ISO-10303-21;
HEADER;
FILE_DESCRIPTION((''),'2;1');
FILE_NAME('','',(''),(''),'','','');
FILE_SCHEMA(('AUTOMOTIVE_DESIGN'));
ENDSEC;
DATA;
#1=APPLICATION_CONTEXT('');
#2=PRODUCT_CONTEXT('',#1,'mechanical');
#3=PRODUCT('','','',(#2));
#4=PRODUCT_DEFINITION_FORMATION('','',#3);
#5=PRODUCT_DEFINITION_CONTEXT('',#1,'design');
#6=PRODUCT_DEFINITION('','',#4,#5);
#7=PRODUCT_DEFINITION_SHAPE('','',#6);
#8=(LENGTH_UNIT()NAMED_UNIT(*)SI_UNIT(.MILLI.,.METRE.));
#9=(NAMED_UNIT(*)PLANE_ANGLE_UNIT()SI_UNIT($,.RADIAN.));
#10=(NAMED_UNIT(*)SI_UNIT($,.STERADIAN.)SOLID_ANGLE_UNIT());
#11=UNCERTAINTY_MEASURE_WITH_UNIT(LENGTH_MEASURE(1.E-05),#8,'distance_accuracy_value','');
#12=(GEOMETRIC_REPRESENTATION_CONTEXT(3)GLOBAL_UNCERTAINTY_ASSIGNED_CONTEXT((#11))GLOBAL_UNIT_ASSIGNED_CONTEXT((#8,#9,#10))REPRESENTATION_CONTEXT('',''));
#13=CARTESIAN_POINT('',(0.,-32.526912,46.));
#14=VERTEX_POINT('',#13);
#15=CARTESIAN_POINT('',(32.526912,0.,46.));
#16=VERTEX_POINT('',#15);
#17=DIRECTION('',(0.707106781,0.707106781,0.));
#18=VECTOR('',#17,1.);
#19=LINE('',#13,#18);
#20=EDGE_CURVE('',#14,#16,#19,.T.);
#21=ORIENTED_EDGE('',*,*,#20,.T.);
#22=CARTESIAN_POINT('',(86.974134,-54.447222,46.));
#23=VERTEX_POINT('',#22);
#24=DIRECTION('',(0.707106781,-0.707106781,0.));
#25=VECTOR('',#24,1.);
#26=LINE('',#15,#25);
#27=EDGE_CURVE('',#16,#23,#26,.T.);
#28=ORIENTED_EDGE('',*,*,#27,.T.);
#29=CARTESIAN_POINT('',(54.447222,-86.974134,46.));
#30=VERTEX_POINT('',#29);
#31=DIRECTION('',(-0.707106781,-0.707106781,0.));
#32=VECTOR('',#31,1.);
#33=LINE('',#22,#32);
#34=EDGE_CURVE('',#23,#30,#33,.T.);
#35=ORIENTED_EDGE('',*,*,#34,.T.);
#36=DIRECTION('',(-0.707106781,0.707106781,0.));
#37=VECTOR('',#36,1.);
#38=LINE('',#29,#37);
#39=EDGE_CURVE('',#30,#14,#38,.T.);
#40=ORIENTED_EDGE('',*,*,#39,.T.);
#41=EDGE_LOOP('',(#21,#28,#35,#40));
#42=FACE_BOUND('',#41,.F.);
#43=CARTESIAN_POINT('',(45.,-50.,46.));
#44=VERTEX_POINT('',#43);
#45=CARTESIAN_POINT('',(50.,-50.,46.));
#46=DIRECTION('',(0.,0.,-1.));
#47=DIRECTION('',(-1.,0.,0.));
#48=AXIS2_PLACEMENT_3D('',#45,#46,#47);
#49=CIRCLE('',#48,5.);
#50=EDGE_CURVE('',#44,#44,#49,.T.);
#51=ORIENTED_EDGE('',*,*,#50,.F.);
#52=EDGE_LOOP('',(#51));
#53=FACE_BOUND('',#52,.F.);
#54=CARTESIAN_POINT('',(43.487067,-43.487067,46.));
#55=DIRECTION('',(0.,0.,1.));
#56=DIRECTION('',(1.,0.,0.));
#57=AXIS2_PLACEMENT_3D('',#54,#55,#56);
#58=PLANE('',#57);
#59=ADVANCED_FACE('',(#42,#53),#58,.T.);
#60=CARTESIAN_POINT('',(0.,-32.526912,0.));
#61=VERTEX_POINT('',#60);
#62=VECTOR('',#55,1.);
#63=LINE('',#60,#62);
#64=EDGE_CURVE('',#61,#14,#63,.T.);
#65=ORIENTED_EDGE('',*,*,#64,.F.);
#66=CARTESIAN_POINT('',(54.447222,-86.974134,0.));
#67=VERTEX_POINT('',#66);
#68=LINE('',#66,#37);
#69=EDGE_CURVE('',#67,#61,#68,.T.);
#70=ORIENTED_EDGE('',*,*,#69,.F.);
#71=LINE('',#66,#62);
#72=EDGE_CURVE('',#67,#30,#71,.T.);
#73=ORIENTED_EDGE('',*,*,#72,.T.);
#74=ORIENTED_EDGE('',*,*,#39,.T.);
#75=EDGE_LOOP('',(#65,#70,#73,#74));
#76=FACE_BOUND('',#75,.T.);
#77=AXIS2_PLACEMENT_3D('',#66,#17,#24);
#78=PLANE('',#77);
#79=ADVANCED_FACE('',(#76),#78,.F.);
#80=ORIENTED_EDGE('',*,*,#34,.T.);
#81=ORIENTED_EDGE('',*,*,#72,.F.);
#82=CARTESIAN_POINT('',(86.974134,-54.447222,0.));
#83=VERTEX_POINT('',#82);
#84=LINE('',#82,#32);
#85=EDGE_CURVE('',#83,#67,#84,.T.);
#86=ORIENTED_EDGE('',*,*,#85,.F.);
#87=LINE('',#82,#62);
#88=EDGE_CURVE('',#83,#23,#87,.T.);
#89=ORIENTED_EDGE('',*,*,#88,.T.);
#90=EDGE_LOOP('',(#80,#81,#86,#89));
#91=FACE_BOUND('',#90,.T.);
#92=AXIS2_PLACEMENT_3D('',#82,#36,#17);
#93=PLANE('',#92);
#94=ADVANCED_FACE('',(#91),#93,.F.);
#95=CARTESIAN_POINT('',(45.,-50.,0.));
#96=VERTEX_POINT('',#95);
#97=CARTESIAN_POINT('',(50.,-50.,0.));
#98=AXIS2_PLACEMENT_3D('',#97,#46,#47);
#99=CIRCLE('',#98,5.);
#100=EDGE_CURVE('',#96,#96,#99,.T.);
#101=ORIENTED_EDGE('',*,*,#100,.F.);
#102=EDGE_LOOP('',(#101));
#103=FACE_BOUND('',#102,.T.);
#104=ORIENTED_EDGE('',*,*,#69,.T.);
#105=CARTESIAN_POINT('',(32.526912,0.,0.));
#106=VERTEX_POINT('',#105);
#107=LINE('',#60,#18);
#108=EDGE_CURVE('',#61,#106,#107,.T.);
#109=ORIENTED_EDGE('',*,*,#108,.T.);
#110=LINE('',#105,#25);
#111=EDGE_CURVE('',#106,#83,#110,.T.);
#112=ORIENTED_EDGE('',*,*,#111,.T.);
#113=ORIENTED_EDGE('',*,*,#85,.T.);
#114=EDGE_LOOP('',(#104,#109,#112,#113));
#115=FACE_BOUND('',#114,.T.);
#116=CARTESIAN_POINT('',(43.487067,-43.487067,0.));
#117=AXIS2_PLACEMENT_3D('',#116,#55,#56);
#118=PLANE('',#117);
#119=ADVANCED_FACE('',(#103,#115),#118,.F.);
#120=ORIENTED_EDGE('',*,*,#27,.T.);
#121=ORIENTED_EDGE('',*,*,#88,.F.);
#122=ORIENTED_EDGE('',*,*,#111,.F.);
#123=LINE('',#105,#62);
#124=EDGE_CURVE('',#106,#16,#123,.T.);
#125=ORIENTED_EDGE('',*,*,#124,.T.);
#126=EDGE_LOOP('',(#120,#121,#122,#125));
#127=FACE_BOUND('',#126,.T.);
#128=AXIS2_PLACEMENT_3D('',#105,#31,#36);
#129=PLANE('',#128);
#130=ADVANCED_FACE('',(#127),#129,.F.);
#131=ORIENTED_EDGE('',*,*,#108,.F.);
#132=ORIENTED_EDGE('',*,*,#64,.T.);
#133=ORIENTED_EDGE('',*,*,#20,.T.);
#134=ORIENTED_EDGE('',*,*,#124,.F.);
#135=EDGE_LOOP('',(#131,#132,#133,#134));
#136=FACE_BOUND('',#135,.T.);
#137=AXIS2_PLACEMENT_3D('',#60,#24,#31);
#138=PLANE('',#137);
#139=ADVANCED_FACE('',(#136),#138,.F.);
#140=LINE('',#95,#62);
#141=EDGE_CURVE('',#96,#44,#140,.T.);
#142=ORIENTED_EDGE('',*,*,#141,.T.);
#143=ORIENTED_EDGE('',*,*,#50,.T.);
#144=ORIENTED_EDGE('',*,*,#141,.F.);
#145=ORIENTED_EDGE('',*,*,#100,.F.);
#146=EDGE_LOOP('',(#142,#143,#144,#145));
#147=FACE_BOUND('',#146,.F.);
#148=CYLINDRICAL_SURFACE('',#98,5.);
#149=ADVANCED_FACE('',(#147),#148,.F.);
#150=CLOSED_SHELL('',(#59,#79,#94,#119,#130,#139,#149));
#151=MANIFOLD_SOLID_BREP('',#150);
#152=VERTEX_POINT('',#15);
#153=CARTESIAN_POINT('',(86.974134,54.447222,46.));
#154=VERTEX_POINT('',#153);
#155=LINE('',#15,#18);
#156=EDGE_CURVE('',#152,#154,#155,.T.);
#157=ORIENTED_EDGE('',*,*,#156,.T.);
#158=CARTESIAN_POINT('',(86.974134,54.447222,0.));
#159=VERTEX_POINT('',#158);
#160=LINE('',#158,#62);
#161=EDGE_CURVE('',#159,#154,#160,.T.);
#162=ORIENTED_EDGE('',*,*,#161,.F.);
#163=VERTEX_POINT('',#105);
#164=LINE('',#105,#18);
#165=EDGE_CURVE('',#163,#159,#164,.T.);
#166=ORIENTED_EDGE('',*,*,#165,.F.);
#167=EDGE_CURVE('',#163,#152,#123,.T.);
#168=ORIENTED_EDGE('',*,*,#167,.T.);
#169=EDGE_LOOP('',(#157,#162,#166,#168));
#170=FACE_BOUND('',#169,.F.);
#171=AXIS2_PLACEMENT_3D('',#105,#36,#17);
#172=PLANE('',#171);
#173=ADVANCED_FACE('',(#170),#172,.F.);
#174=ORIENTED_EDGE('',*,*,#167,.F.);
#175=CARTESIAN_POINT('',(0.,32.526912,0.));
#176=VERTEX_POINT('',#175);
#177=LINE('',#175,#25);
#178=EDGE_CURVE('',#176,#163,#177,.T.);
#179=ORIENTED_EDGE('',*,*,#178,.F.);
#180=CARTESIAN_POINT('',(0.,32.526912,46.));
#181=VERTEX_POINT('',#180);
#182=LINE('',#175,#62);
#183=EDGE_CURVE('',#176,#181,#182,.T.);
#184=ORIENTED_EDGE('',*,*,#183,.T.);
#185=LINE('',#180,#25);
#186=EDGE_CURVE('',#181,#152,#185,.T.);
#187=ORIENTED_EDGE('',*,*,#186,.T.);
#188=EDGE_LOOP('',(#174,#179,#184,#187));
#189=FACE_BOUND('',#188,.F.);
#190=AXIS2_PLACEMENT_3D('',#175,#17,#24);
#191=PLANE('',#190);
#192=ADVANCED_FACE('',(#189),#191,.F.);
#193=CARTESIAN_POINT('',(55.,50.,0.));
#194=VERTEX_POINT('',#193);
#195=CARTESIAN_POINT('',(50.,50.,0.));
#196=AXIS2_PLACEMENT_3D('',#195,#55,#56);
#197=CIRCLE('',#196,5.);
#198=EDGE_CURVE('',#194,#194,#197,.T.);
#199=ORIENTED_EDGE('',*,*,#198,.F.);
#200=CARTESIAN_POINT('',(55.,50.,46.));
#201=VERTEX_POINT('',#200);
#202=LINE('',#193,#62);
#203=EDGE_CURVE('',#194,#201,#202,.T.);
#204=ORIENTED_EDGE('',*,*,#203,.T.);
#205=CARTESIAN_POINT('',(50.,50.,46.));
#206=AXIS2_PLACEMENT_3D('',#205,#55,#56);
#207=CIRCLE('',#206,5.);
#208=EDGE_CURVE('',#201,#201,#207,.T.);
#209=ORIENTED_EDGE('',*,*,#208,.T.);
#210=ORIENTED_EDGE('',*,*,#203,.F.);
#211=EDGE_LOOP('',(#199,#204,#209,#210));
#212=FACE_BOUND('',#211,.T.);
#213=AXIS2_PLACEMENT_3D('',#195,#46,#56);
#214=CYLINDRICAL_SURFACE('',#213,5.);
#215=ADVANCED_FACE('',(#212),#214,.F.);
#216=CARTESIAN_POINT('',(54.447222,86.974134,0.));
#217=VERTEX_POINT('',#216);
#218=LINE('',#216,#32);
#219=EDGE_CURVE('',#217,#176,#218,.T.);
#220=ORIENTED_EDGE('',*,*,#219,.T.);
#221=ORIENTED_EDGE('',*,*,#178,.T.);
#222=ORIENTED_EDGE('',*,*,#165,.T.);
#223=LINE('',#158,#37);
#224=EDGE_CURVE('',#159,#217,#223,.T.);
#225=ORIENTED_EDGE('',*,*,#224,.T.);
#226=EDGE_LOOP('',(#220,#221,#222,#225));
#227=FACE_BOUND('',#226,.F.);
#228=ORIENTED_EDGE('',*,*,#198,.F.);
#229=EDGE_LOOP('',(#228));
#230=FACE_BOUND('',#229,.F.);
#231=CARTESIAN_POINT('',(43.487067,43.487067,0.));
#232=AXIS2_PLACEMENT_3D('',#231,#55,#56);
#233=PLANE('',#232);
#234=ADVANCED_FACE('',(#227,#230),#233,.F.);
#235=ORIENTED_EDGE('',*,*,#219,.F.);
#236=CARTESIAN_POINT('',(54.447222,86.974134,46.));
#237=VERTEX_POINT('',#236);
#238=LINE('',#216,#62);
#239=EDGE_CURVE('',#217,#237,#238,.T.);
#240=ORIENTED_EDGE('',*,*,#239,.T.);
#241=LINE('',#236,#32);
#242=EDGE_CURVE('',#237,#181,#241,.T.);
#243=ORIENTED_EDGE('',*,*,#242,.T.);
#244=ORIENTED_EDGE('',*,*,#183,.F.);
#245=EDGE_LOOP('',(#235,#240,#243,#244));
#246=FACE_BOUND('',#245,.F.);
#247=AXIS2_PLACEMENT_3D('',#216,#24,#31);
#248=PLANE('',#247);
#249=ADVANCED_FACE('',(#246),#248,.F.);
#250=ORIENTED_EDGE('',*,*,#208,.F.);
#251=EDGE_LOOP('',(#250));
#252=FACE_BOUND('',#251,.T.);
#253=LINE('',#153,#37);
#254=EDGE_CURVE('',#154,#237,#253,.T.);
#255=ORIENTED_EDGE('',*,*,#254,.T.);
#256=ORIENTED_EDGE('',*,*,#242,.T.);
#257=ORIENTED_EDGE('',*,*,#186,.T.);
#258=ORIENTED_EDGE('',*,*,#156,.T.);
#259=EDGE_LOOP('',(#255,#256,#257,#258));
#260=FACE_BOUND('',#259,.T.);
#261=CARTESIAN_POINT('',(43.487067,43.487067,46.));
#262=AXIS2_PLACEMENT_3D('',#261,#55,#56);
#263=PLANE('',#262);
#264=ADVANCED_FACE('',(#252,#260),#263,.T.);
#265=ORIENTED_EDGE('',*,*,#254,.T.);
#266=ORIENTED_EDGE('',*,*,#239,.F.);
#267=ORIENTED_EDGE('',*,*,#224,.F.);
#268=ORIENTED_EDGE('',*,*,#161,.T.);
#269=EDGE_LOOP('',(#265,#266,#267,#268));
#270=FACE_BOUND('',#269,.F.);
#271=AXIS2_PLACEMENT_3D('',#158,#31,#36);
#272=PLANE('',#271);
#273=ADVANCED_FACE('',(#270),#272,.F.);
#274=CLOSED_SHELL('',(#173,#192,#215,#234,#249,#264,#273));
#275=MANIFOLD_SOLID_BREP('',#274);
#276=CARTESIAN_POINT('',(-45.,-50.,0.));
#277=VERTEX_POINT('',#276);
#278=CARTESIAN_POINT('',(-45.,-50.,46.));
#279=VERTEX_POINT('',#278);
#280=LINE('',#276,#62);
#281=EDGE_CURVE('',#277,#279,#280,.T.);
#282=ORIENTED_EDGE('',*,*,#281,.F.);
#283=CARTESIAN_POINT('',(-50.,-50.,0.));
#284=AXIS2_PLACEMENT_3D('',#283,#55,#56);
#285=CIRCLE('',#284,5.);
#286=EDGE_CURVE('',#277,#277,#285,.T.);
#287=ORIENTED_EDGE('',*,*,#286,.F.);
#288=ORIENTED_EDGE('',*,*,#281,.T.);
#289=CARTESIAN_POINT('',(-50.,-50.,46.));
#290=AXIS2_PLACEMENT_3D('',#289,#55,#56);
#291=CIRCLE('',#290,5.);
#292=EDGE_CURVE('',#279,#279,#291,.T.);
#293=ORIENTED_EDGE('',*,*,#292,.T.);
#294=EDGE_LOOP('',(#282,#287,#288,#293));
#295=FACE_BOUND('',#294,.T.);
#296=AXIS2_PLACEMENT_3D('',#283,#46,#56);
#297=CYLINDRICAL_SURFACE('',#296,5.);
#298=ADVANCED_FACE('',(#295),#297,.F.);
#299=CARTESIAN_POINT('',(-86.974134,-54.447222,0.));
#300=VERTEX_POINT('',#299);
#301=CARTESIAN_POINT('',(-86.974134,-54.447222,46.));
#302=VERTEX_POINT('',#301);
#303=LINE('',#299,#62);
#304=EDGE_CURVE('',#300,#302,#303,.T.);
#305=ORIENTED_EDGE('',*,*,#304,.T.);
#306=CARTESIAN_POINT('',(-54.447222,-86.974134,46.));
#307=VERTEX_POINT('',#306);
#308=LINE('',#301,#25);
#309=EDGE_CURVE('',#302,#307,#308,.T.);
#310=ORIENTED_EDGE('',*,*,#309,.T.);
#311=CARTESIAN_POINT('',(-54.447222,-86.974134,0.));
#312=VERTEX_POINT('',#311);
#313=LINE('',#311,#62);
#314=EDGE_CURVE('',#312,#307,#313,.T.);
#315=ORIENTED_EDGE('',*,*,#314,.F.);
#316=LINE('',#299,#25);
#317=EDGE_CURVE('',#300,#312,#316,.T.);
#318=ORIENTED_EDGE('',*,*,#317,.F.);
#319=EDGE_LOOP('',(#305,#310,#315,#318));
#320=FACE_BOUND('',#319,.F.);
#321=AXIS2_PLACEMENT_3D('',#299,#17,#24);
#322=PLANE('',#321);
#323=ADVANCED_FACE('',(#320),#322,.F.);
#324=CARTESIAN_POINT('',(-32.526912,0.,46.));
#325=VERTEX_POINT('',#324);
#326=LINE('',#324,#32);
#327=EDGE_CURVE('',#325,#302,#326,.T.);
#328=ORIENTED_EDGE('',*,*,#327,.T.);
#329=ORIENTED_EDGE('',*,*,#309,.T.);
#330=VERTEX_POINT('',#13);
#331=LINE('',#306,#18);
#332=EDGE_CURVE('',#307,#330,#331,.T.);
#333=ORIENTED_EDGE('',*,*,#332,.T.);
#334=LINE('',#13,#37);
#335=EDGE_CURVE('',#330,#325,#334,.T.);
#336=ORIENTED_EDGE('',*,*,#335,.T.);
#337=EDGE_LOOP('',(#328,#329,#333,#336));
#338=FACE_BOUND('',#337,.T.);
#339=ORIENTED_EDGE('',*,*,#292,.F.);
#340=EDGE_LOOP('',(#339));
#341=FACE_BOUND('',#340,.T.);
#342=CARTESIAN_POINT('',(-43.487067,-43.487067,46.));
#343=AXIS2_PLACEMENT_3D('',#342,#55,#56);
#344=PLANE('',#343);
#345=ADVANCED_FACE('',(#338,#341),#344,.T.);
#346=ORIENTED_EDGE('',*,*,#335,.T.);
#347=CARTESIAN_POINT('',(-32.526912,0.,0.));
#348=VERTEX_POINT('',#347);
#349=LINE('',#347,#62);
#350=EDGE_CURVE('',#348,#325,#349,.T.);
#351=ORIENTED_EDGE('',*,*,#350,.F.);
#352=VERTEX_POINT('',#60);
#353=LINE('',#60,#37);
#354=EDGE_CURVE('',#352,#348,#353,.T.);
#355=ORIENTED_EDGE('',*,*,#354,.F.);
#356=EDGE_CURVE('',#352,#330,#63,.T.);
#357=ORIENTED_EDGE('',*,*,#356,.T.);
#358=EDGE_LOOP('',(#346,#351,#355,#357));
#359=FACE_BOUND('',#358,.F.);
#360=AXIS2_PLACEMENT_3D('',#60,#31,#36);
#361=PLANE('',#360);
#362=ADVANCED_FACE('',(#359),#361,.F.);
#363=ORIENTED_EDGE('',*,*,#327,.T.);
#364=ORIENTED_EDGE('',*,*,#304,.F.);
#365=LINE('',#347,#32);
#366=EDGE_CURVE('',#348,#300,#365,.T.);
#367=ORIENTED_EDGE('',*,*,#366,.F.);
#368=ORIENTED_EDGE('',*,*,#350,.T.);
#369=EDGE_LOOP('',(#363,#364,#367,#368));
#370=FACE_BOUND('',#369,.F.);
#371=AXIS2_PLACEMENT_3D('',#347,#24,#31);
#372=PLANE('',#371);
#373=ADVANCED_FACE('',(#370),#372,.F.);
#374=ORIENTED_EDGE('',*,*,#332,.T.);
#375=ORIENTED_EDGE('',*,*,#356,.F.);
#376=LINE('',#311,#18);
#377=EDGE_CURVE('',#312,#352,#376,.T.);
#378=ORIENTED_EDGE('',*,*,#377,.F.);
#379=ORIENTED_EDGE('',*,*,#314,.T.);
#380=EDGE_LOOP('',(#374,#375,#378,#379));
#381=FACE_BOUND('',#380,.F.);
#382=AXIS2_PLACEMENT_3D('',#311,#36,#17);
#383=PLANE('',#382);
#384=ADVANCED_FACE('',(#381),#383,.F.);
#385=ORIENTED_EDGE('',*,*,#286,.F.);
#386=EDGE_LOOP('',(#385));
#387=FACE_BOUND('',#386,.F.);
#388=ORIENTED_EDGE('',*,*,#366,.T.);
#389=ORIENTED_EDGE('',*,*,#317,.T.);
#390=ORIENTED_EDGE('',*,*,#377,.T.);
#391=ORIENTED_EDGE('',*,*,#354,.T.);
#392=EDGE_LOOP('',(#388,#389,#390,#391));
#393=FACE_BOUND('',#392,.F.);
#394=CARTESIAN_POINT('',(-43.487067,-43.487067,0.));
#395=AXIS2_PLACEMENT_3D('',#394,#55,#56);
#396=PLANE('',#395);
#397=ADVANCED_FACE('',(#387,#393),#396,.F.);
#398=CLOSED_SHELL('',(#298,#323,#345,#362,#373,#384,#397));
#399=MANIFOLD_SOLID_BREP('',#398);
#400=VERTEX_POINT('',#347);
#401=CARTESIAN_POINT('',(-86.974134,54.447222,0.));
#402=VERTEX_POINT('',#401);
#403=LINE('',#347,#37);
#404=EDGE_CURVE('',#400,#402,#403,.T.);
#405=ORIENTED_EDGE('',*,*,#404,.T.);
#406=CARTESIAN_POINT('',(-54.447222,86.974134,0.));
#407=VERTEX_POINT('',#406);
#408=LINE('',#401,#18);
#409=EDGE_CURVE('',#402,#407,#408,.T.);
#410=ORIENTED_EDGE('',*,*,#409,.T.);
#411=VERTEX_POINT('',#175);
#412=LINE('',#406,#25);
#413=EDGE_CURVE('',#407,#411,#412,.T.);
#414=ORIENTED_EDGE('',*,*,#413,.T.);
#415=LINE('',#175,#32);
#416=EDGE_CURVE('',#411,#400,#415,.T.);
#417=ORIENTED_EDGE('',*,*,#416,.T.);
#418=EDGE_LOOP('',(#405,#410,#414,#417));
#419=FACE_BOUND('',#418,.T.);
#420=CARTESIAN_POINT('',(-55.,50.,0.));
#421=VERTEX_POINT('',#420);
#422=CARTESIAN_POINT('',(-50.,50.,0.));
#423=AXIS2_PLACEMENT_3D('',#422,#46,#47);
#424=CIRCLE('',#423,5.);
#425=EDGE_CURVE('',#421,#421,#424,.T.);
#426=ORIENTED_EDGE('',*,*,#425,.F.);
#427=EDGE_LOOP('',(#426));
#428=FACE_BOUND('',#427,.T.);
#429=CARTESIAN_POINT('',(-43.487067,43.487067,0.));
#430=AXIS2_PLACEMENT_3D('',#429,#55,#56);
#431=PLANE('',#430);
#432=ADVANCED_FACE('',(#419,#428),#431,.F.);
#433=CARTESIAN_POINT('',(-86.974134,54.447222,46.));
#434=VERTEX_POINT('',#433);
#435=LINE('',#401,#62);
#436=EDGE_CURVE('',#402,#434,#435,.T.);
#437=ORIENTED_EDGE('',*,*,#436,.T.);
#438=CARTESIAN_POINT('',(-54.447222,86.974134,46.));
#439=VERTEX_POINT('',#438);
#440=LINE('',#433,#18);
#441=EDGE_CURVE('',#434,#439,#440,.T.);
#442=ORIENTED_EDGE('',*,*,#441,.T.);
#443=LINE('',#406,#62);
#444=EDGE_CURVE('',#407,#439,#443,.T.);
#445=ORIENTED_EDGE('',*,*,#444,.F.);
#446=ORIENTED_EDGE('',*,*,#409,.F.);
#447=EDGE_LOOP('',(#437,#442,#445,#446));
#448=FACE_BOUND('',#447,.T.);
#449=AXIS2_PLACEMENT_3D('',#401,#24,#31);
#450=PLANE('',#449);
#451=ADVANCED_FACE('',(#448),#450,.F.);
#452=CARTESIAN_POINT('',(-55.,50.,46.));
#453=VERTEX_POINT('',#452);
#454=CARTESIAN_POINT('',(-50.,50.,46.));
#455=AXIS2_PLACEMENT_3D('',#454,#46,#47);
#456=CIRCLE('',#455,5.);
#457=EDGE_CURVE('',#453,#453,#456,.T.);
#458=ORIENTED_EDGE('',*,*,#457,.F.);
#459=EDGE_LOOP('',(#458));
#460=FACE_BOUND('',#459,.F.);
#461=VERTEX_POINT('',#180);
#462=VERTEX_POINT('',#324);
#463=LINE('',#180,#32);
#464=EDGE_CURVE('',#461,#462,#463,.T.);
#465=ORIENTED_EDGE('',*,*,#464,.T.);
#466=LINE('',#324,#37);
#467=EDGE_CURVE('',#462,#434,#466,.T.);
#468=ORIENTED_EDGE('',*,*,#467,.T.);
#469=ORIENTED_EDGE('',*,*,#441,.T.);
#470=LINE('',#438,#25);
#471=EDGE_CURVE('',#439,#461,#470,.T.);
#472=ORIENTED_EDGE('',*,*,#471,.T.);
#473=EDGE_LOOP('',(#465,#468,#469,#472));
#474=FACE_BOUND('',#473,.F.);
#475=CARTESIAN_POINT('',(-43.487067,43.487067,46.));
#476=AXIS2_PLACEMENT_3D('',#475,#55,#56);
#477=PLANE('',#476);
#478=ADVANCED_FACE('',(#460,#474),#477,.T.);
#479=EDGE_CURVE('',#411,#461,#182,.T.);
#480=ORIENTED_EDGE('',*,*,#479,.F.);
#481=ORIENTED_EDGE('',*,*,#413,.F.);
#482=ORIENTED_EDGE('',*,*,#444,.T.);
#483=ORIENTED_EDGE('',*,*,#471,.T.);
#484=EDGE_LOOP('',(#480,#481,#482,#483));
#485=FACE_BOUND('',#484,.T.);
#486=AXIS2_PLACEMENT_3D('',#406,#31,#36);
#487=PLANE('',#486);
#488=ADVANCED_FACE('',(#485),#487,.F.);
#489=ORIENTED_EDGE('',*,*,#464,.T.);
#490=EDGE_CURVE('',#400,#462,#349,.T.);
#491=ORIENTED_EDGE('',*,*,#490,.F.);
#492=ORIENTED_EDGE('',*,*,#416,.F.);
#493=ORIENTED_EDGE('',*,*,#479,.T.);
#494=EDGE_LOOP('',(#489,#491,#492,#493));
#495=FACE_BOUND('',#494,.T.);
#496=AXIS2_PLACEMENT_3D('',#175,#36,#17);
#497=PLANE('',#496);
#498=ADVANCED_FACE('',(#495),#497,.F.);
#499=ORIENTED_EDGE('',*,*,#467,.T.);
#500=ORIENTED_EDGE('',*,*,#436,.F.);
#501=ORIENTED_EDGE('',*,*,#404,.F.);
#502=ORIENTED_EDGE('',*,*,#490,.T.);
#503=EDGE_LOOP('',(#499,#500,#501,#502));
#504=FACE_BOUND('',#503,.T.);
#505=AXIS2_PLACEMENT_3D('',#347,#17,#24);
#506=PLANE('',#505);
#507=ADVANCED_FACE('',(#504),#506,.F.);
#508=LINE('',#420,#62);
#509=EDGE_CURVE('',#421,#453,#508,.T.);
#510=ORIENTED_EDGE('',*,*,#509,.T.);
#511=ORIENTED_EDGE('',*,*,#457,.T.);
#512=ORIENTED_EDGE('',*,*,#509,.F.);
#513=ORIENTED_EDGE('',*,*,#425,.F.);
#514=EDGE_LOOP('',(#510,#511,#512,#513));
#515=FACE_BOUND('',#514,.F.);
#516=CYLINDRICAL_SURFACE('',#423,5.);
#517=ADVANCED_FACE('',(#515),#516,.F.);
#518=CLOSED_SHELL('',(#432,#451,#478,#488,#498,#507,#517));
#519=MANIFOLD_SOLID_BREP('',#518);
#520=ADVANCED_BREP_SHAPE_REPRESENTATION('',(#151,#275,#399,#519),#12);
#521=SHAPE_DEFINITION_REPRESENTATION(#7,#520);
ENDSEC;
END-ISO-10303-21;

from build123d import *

# Parameters (mm, degrees)
F0_R     = 5
F1_DEPTH = 46


with BuildPart() as f1:
    # F0 (on Top) → F1 (new body)
    with BuildSketch(Plane.XY):
        Polygon((86.974134, 54.447222), (70.710678, 70.710678), (54.447222, 86.974134), (0, 32.526912), (16.263456, 16.263456), (32.526912, 0), align=None)
        with Locations((50, 50)):
            Circle(F0_R, mode=Mode.SUBTRACT)
        Polygon((0, -32.526912), (-16.263456, -16.263456), (-32.526912, 0), (-86.974134, -54.447222), (-70.710678, -70.710678), (-54.447222, -86.974134), align=None)
        with Locations((-50, -50)):
            Circle(F0_R, mode=Mode.SUBTRACT)
    extrude(amount=F1_DEPTH)


with BuildPart() as f2_1:
    # F2: instance of F1
    add(f1.part.mirror(Plane.YZ))


solid = Compound([f1.part, f2_1.part])
